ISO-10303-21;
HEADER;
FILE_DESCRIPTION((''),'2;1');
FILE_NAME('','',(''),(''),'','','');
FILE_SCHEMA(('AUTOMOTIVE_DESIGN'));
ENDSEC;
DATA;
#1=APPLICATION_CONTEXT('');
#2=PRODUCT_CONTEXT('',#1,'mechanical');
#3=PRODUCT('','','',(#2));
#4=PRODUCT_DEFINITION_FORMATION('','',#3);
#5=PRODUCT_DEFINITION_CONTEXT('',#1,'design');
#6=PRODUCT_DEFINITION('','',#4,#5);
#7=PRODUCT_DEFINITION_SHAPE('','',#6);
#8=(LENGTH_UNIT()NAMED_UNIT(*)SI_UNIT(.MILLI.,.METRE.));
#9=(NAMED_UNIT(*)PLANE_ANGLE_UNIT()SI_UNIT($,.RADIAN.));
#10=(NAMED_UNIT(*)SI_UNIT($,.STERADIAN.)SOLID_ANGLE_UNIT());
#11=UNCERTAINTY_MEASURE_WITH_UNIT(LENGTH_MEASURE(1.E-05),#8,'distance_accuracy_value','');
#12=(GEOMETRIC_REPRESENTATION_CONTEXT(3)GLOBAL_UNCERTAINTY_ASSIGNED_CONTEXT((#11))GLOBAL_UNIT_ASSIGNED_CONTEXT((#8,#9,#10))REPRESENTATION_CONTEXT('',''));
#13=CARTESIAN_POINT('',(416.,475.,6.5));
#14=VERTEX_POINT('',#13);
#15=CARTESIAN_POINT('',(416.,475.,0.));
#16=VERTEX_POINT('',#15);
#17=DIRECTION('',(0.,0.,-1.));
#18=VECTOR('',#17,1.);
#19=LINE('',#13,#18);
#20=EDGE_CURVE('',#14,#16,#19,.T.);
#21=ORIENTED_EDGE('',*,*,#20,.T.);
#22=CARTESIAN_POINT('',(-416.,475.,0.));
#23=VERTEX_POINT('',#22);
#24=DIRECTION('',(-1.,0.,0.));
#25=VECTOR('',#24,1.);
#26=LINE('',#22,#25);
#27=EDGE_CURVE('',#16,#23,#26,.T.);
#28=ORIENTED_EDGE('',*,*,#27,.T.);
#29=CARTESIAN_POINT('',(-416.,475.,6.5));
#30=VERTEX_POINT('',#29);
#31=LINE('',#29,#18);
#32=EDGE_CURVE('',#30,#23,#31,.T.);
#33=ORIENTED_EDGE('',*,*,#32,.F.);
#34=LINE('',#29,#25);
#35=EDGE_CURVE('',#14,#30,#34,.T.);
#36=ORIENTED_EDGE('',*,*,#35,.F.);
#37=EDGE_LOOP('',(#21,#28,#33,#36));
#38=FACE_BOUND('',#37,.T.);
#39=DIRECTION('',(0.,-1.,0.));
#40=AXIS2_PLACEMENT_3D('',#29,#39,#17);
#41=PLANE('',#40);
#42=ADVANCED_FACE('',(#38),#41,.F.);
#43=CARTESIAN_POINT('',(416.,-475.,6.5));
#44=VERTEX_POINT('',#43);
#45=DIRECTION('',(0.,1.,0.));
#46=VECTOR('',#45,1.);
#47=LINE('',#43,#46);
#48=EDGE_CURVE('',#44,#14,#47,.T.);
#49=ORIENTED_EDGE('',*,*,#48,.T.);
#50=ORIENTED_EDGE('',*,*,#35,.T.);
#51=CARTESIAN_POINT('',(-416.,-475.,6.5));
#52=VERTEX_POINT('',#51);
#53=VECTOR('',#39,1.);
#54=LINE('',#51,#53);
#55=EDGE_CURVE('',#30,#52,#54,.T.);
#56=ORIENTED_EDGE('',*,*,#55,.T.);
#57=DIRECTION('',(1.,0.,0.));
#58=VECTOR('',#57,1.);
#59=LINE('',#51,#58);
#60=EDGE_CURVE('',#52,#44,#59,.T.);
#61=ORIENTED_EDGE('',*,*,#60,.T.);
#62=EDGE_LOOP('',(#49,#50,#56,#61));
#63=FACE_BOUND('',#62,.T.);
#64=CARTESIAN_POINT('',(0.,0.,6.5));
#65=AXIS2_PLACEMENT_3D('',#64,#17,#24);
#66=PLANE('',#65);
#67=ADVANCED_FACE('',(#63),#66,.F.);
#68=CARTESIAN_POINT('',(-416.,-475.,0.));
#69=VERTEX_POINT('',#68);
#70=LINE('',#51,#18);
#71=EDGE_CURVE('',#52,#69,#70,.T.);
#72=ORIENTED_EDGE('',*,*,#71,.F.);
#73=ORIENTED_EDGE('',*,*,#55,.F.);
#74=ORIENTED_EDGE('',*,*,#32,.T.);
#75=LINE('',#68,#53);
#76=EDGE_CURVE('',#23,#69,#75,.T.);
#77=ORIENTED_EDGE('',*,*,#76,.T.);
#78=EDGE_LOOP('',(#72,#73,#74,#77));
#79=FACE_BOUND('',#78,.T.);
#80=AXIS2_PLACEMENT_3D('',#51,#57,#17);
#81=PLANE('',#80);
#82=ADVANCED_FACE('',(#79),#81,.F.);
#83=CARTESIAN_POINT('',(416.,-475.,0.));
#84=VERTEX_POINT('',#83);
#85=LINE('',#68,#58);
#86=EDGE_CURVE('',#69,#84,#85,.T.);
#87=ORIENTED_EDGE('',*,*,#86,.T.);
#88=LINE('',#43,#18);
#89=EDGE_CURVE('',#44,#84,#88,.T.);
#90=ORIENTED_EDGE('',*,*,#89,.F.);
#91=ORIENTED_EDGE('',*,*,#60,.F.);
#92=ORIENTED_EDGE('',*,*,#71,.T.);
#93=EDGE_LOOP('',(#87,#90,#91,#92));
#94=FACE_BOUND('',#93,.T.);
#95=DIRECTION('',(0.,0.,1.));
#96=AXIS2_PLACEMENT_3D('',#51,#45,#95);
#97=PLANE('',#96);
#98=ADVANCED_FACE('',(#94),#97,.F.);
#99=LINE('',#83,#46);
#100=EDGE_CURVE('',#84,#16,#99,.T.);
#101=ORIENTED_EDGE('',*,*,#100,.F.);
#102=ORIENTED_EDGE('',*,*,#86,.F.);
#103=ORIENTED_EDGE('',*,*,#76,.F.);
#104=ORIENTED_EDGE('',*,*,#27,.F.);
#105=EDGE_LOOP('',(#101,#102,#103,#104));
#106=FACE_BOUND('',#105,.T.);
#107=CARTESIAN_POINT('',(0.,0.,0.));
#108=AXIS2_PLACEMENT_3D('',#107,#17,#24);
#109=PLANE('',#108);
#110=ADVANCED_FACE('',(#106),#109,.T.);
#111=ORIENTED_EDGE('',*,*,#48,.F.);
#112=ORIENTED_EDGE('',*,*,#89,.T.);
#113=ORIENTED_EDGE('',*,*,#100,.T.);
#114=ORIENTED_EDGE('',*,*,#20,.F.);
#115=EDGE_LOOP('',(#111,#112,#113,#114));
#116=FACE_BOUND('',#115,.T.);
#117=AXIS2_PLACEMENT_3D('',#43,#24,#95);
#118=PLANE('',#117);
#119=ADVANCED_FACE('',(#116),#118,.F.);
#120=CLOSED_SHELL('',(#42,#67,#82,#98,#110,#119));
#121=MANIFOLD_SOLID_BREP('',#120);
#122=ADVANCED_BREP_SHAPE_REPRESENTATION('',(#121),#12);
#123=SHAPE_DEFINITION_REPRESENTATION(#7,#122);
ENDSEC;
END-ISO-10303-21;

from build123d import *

# Parameters (mm, degrees)
ESQUISSE1_W        = 832
ESQUISSE1_H        = 950
BOSS_EXTRU_1_DEPTH = 6.5


with BuildPart() as part:
    # Esquisse1 → Boss.-Extru.1 (new body)
    with BuildSketch(Plane.XY):
        Rectangle(ESQUISSE1_W, ESQUISSE1_H)
    extrude(amount=BOSS_EXTRU_1_DEPTH)


solid = part.part
